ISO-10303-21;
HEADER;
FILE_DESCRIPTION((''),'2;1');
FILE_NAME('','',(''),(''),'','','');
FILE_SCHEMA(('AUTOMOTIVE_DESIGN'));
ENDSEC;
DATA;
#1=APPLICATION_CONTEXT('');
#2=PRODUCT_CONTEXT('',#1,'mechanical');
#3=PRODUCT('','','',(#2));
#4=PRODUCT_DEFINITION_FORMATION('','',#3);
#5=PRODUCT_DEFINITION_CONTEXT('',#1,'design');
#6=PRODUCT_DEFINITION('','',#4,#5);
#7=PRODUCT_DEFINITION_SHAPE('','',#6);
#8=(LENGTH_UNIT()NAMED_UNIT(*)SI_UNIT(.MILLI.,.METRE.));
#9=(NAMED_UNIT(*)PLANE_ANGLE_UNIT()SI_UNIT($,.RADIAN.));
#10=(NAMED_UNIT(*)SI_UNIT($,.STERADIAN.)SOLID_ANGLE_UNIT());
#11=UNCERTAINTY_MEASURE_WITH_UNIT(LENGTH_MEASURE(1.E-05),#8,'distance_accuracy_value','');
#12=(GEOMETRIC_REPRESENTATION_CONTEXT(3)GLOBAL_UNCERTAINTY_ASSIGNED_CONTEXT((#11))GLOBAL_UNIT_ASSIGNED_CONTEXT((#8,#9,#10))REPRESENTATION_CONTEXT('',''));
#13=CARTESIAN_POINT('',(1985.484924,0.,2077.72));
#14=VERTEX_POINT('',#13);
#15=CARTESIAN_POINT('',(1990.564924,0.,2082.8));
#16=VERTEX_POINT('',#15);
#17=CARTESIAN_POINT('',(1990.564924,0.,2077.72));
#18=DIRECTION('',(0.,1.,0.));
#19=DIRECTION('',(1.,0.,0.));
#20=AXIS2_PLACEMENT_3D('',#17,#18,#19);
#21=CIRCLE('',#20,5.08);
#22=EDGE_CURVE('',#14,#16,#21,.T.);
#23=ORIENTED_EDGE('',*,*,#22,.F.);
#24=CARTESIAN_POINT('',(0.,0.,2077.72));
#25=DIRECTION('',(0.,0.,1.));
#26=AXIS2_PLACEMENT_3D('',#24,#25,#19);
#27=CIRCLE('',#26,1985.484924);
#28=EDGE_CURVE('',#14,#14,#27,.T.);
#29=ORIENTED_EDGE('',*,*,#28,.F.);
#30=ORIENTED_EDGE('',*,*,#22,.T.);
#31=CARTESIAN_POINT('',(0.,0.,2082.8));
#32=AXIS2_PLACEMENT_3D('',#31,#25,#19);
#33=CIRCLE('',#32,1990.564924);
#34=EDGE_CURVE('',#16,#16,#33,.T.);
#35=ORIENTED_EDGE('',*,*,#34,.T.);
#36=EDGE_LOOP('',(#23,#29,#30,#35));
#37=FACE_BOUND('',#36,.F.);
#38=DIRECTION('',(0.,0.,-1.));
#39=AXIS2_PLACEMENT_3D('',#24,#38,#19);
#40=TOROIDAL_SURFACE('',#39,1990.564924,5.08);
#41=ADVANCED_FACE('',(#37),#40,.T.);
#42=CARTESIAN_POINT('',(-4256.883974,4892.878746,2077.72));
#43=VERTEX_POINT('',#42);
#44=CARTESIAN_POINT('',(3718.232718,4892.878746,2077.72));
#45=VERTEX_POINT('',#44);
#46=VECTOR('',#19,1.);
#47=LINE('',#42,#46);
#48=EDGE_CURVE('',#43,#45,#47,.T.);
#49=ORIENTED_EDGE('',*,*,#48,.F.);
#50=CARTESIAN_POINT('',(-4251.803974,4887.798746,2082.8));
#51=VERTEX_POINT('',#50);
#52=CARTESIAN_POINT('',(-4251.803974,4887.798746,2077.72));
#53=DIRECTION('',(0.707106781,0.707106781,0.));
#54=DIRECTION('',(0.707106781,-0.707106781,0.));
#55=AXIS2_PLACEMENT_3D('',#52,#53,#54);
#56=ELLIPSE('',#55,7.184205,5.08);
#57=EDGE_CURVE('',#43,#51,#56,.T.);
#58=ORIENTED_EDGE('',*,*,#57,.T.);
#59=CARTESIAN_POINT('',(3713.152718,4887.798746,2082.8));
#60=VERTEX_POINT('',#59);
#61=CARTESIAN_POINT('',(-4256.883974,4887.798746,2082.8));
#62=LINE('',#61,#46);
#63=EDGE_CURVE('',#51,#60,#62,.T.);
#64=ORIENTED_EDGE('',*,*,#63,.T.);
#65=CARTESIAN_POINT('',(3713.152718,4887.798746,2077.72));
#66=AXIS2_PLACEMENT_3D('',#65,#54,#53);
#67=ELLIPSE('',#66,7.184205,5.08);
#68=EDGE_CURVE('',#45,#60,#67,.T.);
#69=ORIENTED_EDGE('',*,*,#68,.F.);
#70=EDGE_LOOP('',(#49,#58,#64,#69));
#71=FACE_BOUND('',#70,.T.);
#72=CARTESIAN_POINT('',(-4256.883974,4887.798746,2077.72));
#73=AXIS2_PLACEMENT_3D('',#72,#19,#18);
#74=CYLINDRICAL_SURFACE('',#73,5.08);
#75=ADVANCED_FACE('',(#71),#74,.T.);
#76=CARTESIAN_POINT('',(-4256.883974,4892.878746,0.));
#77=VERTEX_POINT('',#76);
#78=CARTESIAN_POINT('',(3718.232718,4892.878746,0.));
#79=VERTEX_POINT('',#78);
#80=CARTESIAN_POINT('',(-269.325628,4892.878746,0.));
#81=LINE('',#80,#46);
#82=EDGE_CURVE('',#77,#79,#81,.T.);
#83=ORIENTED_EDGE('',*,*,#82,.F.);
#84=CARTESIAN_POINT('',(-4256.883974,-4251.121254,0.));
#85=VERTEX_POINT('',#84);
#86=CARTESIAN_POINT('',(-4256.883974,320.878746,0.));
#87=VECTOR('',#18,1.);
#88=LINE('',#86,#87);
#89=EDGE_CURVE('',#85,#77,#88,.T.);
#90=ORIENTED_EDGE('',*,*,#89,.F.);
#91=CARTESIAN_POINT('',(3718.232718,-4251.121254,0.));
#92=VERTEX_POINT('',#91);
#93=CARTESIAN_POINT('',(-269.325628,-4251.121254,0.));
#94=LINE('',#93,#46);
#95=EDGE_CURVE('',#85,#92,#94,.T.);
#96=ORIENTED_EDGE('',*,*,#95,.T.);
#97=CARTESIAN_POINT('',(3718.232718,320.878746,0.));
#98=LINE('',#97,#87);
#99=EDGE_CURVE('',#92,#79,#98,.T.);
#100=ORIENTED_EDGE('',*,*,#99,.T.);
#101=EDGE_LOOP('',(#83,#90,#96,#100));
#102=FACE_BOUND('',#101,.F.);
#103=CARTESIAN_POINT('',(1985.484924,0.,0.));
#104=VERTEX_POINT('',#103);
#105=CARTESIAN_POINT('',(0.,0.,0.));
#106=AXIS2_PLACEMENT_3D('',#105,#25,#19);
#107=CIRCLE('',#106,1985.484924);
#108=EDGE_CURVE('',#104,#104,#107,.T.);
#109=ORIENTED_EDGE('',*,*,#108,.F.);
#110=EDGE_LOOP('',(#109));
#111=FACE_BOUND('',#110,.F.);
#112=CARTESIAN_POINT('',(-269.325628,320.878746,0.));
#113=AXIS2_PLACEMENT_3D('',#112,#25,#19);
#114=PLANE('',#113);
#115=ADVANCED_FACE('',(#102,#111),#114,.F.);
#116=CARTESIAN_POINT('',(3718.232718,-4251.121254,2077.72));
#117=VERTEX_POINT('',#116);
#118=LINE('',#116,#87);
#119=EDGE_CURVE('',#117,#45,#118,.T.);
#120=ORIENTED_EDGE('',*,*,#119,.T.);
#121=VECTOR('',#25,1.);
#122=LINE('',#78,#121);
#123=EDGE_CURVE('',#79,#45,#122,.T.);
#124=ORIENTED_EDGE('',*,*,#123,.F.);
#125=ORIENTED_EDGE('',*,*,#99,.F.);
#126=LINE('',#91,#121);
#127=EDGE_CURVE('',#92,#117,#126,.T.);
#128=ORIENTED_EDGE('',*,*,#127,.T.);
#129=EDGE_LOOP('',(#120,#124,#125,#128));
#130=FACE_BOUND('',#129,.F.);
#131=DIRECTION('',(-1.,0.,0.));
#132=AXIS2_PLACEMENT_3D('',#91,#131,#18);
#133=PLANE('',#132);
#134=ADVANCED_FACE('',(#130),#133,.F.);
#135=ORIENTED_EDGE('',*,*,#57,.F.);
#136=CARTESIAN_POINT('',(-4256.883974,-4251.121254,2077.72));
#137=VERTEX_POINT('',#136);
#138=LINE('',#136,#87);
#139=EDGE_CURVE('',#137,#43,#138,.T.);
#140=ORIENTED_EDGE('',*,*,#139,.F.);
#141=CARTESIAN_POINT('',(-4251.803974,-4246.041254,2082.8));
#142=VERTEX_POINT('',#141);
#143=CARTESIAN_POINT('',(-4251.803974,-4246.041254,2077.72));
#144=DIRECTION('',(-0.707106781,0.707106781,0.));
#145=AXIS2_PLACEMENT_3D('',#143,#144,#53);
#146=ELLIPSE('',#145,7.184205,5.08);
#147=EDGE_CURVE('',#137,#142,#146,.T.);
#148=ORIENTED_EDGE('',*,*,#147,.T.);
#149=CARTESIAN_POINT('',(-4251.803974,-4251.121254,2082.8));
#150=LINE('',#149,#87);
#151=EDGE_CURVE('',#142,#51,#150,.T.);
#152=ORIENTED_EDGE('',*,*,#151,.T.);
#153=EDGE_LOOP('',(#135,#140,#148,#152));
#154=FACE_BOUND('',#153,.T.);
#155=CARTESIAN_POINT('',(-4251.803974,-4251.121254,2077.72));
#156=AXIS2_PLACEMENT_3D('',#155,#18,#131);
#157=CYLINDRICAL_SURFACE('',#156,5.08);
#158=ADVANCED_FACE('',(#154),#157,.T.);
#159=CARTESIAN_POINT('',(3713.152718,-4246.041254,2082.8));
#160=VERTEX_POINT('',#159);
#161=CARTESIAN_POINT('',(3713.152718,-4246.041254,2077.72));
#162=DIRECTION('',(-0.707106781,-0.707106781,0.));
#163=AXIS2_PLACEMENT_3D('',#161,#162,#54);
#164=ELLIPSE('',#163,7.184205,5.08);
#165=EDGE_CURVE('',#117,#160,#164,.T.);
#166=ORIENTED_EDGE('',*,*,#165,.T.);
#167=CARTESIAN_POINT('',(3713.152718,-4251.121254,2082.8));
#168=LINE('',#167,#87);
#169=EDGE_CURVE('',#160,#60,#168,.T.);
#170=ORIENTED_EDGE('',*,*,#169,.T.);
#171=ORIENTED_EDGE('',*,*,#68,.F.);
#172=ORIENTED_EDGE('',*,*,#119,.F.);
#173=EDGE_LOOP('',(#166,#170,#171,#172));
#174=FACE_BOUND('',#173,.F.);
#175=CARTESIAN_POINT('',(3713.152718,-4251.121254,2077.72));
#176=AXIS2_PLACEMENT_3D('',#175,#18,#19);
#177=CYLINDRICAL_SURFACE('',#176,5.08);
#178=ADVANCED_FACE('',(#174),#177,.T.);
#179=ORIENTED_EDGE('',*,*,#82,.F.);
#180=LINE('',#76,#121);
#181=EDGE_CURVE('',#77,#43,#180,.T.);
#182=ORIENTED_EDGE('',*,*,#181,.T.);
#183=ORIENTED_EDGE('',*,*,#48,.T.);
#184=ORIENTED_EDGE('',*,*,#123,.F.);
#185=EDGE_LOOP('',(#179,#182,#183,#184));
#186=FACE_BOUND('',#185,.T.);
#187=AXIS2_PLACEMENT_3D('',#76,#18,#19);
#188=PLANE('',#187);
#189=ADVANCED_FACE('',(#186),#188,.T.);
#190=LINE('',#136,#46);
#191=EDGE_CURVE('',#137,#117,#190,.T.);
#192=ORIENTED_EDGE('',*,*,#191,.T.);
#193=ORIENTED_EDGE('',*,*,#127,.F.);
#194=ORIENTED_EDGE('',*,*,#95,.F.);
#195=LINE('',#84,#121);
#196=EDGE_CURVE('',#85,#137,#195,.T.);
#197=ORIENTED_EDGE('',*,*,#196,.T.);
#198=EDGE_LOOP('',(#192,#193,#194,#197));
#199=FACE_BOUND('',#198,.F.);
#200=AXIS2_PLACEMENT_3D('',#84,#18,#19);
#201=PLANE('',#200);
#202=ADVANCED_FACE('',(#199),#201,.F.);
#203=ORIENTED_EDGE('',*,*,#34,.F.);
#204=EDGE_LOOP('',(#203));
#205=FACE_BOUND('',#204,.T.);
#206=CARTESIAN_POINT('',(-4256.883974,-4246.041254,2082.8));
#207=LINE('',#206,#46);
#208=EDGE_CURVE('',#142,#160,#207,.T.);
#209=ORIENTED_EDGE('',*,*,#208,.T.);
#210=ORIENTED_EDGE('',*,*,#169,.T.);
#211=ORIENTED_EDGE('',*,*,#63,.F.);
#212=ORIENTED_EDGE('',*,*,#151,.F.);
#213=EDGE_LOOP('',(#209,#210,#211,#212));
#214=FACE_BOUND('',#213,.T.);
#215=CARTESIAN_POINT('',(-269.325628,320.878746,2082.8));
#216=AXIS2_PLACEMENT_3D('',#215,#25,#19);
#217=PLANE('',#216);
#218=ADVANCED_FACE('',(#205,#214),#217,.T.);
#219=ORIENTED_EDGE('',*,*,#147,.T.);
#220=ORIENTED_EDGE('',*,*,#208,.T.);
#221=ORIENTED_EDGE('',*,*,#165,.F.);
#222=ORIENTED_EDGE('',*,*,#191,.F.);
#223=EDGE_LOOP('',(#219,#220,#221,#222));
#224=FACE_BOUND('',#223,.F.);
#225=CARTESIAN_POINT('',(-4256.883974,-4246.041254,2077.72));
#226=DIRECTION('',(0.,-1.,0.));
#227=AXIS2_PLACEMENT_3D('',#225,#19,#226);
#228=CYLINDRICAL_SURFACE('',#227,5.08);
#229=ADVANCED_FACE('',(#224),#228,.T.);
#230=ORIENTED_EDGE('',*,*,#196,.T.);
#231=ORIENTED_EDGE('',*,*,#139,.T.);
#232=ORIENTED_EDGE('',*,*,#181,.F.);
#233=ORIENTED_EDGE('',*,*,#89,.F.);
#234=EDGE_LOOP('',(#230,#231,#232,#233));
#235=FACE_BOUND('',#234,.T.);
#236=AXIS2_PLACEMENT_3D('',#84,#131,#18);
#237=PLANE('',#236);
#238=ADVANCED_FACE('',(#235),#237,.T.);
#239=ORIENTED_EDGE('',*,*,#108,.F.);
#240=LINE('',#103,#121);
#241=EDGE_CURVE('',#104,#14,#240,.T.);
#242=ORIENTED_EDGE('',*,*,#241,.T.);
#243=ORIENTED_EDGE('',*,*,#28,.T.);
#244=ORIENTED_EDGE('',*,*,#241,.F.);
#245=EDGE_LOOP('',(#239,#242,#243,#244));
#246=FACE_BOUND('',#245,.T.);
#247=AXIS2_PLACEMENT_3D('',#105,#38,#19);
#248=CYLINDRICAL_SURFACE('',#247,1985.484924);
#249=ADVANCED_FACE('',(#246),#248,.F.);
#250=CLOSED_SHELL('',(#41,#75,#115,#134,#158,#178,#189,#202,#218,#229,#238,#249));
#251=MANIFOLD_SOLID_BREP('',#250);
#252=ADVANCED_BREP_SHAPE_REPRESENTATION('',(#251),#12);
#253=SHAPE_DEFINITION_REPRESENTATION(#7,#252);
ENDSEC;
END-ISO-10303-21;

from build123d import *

# Parameters (mm, degrees)
F0_W     = 7975.116693
F0_H     = 9144
F0_R     = 1985.484924
F1_DEPTH = 2082.8
F2_R     = 5.08


with BuildPart() as f1:
    # F0 (on Top) → F1 (new body)
    with BuildSketch(Plane.XY):
        with Locations((-269.325628, 320.878746)):
            Rectangle(F0_W, F0_H)
        Circle(F0_R, mode=Mode.SUBTRACT)
    extrude(amount=F1_DEPTH)

    # F2
    f2_edges = [f1.edges().sort_by_distance(p)[0] for p in [
        (-269.325628, 4892.878746, 2082.8),
        (-4256.883975, 320.878746, 2082.8),
        (-269.325628, -4251.121254, 2082.8),
        (3718.232718, 320.878746, 2082.8),
        (-1985.484924, 0, 2082.8),
    ]]
    fillet(f2_edges, radius=F2_R)


solid = f1.part
